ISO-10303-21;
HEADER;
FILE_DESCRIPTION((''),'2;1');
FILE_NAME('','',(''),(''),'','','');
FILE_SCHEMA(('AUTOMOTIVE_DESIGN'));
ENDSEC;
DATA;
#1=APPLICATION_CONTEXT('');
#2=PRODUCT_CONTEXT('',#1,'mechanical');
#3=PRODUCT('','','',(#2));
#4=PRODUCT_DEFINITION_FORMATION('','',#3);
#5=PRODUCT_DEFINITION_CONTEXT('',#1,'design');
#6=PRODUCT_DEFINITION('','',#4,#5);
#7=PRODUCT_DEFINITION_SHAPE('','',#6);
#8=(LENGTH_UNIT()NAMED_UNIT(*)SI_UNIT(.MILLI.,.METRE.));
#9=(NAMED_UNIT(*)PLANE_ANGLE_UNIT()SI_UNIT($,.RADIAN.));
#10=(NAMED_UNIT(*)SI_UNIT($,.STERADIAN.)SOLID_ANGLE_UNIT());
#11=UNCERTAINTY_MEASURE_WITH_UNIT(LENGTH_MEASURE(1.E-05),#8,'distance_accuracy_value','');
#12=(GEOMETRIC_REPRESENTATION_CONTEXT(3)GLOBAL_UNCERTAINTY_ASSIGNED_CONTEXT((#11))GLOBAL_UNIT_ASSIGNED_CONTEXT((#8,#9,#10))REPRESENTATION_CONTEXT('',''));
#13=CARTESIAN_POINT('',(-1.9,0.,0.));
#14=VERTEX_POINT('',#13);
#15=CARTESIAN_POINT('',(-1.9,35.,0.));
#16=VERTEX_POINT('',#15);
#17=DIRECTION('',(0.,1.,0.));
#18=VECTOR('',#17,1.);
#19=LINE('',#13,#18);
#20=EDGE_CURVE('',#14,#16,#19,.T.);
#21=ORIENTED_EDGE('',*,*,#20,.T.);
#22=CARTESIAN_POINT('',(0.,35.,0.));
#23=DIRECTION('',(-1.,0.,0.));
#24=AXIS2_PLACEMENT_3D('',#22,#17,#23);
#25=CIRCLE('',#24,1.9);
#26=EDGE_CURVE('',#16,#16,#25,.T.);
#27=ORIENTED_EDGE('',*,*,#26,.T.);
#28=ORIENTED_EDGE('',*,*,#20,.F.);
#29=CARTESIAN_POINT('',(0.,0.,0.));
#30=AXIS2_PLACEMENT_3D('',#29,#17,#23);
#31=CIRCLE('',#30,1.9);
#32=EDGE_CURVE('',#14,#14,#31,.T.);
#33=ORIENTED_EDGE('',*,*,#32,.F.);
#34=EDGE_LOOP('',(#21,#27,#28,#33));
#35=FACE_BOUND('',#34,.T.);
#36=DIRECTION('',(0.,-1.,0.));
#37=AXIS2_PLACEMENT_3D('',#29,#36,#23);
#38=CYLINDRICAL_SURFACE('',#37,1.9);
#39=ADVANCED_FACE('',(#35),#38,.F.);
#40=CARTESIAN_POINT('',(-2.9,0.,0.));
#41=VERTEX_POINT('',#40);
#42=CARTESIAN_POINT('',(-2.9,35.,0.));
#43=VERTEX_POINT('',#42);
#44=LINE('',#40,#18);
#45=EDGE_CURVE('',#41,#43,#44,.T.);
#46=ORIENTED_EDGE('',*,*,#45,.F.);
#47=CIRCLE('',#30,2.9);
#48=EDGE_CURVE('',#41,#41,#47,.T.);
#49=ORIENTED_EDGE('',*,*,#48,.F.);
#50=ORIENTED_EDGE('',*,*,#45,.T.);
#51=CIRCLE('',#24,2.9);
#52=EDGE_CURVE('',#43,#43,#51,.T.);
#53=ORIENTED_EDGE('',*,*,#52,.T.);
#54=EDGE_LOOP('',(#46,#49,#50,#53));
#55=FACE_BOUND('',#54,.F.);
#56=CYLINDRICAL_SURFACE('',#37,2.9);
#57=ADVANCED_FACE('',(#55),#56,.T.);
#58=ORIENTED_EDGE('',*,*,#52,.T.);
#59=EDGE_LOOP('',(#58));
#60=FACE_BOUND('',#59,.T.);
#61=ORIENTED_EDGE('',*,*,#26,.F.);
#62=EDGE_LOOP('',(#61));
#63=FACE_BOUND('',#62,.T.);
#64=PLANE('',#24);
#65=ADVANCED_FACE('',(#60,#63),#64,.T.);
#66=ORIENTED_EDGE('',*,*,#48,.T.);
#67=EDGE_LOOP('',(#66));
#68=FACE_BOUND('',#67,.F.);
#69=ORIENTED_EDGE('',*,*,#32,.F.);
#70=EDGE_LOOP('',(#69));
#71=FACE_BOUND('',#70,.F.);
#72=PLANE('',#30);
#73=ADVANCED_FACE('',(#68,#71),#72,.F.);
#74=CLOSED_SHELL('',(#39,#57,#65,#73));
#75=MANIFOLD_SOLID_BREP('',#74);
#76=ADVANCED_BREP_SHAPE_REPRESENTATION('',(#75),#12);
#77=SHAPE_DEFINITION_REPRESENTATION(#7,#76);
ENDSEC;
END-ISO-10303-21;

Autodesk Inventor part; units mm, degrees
ref_plane "YZ Plane" through (0, 0, 0) normal (1, 0, 0) x (0, 1, 0)
ref_plane "XZ Plane" through (0, 0, 0) normal (0, 1, 0) x (-1, 0, 0)
ref_plane "XY Plane" through (0, 0, 0) normal (0, 0, 1) x (1, 0, 0)
sketch "Skizze1" plane through (0, 0, 0) normal (0, 1, 0) x (-1, 0, 0)
  circle A0 centre (0, 0) radius 1.9
  circle A1 centre (0, 0) radius 2.9
  dimension "d0" = 3.8
  dimension "d1" = 1
extrude "Extrusion1" add sketch "Skizze1" along normal blind 35
properties part number "Platzhalter Zylinder Klein"
